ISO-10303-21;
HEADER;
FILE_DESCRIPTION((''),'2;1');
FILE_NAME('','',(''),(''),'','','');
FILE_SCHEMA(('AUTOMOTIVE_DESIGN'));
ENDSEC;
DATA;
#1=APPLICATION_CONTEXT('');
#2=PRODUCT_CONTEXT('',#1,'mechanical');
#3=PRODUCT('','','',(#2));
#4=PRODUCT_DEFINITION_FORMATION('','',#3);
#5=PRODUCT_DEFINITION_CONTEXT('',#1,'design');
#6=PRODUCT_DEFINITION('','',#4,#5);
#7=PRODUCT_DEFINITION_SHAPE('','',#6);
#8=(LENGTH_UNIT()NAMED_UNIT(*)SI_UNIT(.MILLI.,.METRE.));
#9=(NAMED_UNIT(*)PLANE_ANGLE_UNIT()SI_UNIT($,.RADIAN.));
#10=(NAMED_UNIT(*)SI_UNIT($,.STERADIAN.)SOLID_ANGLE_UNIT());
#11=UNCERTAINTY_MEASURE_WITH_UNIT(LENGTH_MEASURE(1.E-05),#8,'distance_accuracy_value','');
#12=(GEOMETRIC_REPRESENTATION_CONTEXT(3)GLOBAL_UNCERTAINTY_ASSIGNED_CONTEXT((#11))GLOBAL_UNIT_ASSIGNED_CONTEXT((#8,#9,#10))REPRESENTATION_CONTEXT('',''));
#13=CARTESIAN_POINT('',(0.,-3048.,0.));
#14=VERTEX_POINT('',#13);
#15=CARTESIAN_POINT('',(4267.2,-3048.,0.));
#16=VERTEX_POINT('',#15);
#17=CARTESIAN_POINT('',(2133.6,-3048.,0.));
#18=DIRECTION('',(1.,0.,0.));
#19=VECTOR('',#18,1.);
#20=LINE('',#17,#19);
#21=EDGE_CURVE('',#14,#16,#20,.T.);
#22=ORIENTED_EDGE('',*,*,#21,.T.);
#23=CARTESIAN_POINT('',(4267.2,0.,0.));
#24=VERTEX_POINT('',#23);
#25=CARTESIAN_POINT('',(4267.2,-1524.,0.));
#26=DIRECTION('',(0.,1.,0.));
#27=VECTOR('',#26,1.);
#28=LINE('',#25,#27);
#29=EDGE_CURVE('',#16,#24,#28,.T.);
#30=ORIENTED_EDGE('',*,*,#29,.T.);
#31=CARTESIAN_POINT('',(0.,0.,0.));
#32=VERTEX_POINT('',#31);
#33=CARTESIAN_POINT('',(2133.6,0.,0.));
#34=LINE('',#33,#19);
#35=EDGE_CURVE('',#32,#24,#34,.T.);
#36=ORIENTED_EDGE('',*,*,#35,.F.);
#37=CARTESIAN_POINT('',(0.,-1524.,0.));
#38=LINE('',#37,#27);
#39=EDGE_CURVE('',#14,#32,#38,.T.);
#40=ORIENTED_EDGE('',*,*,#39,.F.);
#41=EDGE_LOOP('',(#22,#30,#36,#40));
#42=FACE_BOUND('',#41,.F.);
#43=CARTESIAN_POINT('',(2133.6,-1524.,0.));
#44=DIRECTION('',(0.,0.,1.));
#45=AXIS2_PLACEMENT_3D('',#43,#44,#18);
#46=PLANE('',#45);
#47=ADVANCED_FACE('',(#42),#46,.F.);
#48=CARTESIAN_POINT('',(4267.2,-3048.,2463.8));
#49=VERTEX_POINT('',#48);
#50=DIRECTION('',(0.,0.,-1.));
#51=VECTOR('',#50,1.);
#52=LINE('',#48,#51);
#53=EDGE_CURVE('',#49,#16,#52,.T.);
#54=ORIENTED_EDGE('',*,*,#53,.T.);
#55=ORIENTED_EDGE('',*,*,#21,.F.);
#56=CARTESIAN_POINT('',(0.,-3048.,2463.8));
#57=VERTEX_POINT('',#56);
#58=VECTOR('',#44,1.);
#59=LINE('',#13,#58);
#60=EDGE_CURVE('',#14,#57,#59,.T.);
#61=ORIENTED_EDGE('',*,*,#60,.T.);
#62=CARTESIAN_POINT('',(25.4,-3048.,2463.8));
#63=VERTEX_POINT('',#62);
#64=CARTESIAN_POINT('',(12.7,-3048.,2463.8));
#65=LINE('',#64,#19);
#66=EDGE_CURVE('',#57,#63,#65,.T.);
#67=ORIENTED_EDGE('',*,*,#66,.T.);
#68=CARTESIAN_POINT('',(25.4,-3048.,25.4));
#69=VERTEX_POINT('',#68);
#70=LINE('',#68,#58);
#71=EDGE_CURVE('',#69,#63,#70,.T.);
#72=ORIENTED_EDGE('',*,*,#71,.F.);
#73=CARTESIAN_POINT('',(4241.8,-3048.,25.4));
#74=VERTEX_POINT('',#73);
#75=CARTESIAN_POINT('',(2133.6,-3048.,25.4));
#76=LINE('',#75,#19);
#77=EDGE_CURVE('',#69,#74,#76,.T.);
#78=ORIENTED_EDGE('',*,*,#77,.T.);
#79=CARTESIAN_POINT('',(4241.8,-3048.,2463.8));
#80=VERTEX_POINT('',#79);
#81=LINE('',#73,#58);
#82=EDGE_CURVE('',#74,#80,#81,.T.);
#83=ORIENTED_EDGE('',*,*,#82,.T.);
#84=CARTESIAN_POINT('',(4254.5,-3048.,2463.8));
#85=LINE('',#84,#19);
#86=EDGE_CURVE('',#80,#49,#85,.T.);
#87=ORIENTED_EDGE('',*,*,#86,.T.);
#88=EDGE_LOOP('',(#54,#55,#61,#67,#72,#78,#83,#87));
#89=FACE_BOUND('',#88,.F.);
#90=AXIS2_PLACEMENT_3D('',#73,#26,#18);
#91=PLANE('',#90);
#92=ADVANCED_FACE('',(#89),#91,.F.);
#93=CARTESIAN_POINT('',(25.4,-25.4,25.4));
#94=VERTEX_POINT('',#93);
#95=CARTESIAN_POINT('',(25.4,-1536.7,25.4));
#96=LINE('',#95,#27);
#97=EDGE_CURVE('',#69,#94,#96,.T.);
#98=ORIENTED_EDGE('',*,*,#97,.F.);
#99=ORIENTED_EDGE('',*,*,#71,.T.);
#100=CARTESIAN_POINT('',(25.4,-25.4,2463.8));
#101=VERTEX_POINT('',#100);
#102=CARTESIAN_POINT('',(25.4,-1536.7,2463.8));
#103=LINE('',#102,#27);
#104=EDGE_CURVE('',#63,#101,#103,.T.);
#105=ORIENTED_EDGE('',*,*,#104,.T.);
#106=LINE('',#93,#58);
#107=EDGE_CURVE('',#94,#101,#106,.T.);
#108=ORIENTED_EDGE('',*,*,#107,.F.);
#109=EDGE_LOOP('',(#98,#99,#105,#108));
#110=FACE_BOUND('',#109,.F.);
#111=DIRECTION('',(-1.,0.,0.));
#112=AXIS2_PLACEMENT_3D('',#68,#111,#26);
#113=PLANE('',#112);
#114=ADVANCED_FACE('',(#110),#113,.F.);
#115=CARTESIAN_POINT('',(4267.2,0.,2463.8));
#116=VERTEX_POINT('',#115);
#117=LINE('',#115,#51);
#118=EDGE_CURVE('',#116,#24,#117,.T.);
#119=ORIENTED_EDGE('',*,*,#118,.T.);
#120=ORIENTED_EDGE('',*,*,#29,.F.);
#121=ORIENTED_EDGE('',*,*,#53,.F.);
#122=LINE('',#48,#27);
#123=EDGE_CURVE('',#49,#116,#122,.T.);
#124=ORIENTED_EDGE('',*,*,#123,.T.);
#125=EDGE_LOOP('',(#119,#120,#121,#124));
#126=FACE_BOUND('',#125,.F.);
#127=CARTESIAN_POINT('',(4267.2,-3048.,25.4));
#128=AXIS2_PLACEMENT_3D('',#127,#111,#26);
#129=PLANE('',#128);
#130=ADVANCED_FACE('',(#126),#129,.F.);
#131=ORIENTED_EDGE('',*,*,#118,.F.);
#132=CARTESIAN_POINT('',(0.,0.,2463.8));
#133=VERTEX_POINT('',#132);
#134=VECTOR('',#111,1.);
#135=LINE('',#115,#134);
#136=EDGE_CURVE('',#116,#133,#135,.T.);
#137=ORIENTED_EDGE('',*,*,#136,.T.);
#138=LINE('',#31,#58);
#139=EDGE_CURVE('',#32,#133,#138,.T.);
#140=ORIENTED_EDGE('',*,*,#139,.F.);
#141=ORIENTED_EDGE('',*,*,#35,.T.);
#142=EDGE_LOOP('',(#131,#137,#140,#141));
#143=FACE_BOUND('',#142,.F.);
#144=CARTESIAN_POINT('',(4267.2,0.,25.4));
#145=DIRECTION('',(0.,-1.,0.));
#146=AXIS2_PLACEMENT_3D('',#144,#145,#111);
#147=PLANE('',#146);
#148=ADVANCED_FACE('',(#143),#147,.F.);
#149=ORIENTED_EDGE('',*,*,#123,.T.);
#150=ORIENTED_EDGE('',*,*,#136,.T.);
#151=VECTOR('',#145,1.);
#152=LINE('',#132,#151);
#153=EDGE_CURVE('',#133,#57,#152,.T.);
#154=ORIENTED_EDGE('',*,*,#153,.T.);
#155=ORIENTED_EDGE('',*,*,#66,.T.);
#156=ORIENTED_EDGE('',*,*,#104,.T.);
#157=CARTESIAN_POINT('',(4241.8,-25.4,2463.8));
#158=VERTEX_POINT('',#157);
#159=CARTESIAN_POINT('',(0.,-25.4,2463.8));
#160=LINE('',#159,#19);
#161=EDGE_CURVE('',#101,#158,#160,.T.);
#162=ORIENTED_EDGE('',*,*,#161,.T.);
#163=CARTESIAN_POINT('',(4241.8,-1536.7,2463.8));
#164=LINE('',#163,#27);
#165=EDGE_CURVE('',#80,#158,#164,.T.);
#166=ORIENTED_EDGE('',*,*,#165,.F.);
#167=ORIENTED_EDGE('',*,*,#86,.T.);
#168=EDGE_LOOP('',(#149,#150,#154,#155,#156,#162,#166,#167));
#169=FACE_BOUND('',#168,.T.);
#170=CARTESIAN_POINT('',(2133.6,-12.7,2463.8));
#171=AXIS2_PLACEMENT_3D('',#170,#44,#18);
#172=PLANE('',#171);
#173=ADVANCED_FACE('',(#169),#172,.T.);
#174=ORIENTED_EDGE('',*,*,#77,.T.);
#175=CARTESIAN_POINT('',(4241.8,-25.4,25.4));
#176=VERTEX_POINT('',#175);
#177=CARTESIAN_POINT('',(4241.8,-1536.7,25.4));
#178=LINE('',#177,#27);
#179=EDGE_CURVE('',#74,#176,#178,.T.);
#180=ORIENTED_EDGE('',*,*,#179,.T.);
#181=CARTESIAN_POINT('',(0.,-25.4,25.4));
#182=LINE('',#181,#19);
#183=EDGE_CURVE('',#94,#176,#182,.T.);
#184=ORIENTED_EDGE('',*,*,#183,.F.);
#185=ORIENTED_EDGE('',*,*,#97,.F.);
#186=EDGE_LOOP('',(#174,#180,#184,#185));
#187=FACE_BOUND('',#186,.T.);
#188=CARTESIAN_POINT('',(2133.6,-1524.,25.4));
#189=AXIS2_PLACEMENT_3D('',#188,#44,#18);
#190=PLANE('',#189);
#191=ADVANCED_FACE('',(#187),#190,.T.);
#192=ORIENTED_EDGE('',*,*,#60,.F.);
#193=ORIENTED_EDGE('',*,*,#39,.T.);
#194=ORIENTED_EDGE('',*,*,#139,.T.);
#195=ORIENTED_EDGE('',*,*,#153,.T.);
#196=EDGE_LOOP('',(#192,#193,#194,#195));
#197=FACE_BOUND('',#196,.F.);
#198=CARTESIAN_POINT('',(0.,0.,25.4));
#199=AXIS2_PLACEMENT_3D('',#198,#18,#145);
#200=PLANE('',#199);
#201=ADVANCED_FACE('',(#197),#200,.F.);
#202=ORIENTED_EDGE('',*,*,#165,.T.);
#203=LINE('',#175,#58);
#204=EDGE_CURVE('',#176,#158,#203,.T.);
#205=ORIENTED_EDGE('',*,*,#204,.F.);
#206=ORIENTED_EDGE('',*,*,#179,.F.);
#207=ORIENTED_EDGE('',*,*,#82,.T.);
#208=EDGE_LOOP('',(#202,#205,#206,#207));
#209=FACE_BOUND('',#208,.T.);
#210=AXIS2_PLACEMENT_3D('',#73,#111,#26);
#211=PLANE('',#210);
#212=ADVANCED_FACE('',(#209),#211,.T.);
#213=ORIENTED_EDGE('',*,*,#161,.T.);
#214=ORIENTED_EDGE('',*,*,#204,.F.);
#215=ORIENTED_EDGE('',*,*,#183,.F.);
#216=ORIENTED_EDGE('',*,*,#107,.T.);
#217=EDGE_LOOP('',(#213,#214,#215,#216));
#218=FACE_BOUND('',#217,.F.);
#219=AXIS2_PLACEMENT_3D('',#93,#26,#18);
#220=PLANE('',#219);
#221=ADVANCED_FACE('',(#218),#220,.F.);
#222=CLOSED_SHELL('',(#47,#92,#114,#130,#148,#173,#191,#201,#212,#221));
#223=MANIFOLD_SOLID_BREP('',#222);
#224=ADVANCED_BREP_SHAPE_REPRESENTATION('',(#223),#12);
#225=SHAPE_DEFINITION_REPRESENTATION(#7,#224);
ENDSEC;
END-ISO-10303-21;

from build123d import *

# Parameters (mm, degrees)
F0_W     = 4267.2
F0_H     = 3048
F1_DEPTH = 25.4
F3_W     = 25.4
F3_H     = 3022.6
F4_DEPTH = 2438.4


with BuildPart() as f1:
    # F0 (on Top) → F1 (new body)
    with BuildSketch(Plane.XY):
        with Locations((2133.6, -1524)):
            Rectangle(F0_W, F0_H)
    extrude(amount=F1_DEPTH)

    # F3 (on face) → F4 (join)
    with BuildSketch(Plane.XY.offset(25.4)):
        Polygon((4267.2, 0), (0, 0), (0, -25.4), (25.4, -25.4), (4241.8, -25.4), (4267.2, -25.4), align=None)
        with Locations((12.7, -1536.7)):
            Rectangle(F3_W, F3_H)
        with Locations((4254.5, -1536.7)):
            Rectangle(F3_W, F3_H)
    extrude(amount=F4_DEPTH)


solid = f1.part
